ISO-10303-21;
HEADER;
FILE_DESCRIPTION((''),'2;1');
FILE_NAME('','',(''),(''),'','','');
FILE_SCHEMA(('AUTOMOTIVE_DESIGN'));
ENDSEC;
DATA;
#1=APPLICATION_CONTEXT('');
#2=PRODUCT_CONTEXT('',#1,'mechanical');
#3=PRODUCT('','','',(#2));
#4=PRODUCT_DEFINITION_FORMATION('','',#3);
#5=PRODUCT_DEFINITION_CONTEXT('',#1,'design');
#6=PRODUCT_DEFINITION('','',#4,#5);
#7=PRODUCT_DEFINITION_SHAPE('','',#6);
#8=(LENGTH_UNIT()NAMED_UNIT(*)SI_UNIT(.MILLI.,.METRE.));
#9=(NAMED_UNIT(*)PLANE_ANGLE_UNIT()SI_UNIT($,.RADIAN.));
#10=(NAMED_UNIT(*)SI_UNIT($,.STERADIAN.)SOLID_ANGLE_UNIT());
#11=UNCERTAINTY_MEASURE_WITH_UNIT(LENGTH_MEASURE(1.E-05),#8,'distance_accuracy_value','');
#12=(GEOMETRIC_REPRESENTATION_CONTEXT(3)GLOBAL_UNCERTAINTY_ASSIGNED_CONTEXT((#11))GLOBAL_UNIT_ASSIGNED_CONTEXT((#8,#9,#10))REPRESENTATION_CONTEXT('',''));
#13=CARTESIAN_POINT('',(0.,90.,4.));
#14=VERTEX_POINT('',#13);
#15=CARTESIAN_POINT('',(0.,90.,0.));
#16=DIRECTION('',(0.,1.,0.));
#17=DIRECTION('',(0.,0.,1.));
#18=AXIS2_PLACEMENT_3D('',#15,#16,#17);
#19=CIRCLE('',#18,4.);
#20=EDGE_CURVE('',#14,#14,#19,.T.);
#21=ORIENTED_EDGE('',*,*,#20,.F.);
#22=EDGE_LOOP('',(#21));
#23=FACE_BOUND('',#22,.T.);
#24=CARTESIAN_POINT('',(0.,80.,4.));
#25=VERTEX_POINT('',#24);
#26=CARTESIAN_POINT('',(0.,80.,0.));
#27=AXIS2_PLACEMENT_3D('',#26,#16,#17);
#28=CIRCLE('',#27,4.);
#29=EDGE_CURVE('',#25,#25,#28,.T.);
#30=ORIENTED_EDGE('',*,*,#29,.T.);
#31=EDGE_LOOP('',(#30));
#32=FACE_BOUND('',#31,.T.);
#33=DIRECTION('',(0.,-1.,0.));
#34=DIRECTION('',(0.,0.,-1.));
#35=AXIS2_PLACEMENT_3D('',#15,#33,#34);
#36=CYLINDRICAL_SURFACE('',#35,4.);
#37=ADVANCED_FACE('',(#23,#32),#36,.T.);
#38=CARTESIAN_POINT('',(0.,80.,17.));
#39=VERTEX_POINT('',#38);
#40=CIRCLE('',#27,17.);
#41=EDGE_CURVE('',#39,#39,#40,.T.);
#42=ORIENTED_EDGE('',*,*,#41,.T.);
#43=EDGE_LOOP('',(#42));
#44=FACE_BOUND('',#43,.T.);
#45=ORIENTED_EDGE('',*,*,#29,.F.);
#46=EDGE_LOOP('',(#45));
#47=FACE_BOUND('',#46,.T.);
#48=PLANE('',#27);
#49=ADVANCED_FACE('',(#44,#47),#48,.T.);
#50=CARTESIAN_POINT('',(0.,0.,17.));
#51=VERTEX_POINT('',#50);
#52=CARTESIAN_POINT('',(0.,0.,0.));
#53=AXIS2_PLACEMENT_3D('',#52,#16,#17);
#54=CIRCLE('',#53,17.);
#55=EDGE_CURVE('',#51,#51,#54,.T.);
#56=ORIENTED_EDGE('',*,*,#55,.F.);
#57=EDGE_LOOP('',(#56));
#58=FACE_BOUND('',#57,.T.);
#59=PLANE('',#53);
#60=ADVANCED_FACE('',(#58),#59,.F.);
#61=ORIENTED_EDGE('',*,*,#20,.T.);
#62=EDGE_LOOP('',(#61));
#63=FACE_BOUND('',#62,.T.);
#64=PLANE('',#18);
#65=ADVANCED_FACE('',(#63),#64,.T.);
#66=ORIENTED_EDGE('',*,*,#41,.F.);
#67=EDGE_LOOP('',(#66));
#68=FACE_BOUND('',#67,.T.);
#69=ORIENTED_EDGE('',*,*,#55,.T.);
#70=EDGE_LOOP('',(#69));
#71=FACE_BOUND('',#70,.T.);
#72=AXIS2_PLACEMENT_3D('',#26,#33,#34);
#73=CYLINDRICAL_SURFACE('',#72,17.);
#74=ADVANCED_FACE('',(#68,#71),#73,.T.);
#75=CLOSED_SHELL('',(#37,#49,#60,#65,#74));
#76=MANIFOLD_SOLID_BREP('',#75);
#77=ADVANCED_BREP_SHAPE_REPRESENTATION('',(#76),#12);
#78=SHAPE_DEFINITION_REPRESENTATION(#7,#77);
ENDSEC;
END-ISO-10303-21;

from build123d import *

# Parameters (mm, degrees)
SKETCH_1_R      = 17
EXTRUDE_1_DEPTH = 80
SKETCH_2_R      = 4
EXTRUDE_2_DEPTH = 10


with BuildPart() as part:
    # 草图1 → 凸台-拉伸1 (new body)
    with BuildSketch(Plane(origin=(0, 0, 0), x_dir=(1, 0, 0), z_dir=(0, 1, 0))):
        with Locations(Location((0, 0, 0), (0, 0, 270))):
            Circle(SKETCH_1_R)
    extrude(amount=EXTRUDE_1_DEPTH)

    # 草图2 → 凸台-拉伸2 (add)
    with BuildSketch(Plane(origin=(0, 80, 0), x_dir=(1, 0, 0), z_dir=(0, 1, 0))):
        with Locations(Location((0, 0, 0), (0, 0, 270))):
            Circle(SKETCH_2_R)
    extrude(amount=EXTRUDE_2_DEPTH)


solid = part.part
